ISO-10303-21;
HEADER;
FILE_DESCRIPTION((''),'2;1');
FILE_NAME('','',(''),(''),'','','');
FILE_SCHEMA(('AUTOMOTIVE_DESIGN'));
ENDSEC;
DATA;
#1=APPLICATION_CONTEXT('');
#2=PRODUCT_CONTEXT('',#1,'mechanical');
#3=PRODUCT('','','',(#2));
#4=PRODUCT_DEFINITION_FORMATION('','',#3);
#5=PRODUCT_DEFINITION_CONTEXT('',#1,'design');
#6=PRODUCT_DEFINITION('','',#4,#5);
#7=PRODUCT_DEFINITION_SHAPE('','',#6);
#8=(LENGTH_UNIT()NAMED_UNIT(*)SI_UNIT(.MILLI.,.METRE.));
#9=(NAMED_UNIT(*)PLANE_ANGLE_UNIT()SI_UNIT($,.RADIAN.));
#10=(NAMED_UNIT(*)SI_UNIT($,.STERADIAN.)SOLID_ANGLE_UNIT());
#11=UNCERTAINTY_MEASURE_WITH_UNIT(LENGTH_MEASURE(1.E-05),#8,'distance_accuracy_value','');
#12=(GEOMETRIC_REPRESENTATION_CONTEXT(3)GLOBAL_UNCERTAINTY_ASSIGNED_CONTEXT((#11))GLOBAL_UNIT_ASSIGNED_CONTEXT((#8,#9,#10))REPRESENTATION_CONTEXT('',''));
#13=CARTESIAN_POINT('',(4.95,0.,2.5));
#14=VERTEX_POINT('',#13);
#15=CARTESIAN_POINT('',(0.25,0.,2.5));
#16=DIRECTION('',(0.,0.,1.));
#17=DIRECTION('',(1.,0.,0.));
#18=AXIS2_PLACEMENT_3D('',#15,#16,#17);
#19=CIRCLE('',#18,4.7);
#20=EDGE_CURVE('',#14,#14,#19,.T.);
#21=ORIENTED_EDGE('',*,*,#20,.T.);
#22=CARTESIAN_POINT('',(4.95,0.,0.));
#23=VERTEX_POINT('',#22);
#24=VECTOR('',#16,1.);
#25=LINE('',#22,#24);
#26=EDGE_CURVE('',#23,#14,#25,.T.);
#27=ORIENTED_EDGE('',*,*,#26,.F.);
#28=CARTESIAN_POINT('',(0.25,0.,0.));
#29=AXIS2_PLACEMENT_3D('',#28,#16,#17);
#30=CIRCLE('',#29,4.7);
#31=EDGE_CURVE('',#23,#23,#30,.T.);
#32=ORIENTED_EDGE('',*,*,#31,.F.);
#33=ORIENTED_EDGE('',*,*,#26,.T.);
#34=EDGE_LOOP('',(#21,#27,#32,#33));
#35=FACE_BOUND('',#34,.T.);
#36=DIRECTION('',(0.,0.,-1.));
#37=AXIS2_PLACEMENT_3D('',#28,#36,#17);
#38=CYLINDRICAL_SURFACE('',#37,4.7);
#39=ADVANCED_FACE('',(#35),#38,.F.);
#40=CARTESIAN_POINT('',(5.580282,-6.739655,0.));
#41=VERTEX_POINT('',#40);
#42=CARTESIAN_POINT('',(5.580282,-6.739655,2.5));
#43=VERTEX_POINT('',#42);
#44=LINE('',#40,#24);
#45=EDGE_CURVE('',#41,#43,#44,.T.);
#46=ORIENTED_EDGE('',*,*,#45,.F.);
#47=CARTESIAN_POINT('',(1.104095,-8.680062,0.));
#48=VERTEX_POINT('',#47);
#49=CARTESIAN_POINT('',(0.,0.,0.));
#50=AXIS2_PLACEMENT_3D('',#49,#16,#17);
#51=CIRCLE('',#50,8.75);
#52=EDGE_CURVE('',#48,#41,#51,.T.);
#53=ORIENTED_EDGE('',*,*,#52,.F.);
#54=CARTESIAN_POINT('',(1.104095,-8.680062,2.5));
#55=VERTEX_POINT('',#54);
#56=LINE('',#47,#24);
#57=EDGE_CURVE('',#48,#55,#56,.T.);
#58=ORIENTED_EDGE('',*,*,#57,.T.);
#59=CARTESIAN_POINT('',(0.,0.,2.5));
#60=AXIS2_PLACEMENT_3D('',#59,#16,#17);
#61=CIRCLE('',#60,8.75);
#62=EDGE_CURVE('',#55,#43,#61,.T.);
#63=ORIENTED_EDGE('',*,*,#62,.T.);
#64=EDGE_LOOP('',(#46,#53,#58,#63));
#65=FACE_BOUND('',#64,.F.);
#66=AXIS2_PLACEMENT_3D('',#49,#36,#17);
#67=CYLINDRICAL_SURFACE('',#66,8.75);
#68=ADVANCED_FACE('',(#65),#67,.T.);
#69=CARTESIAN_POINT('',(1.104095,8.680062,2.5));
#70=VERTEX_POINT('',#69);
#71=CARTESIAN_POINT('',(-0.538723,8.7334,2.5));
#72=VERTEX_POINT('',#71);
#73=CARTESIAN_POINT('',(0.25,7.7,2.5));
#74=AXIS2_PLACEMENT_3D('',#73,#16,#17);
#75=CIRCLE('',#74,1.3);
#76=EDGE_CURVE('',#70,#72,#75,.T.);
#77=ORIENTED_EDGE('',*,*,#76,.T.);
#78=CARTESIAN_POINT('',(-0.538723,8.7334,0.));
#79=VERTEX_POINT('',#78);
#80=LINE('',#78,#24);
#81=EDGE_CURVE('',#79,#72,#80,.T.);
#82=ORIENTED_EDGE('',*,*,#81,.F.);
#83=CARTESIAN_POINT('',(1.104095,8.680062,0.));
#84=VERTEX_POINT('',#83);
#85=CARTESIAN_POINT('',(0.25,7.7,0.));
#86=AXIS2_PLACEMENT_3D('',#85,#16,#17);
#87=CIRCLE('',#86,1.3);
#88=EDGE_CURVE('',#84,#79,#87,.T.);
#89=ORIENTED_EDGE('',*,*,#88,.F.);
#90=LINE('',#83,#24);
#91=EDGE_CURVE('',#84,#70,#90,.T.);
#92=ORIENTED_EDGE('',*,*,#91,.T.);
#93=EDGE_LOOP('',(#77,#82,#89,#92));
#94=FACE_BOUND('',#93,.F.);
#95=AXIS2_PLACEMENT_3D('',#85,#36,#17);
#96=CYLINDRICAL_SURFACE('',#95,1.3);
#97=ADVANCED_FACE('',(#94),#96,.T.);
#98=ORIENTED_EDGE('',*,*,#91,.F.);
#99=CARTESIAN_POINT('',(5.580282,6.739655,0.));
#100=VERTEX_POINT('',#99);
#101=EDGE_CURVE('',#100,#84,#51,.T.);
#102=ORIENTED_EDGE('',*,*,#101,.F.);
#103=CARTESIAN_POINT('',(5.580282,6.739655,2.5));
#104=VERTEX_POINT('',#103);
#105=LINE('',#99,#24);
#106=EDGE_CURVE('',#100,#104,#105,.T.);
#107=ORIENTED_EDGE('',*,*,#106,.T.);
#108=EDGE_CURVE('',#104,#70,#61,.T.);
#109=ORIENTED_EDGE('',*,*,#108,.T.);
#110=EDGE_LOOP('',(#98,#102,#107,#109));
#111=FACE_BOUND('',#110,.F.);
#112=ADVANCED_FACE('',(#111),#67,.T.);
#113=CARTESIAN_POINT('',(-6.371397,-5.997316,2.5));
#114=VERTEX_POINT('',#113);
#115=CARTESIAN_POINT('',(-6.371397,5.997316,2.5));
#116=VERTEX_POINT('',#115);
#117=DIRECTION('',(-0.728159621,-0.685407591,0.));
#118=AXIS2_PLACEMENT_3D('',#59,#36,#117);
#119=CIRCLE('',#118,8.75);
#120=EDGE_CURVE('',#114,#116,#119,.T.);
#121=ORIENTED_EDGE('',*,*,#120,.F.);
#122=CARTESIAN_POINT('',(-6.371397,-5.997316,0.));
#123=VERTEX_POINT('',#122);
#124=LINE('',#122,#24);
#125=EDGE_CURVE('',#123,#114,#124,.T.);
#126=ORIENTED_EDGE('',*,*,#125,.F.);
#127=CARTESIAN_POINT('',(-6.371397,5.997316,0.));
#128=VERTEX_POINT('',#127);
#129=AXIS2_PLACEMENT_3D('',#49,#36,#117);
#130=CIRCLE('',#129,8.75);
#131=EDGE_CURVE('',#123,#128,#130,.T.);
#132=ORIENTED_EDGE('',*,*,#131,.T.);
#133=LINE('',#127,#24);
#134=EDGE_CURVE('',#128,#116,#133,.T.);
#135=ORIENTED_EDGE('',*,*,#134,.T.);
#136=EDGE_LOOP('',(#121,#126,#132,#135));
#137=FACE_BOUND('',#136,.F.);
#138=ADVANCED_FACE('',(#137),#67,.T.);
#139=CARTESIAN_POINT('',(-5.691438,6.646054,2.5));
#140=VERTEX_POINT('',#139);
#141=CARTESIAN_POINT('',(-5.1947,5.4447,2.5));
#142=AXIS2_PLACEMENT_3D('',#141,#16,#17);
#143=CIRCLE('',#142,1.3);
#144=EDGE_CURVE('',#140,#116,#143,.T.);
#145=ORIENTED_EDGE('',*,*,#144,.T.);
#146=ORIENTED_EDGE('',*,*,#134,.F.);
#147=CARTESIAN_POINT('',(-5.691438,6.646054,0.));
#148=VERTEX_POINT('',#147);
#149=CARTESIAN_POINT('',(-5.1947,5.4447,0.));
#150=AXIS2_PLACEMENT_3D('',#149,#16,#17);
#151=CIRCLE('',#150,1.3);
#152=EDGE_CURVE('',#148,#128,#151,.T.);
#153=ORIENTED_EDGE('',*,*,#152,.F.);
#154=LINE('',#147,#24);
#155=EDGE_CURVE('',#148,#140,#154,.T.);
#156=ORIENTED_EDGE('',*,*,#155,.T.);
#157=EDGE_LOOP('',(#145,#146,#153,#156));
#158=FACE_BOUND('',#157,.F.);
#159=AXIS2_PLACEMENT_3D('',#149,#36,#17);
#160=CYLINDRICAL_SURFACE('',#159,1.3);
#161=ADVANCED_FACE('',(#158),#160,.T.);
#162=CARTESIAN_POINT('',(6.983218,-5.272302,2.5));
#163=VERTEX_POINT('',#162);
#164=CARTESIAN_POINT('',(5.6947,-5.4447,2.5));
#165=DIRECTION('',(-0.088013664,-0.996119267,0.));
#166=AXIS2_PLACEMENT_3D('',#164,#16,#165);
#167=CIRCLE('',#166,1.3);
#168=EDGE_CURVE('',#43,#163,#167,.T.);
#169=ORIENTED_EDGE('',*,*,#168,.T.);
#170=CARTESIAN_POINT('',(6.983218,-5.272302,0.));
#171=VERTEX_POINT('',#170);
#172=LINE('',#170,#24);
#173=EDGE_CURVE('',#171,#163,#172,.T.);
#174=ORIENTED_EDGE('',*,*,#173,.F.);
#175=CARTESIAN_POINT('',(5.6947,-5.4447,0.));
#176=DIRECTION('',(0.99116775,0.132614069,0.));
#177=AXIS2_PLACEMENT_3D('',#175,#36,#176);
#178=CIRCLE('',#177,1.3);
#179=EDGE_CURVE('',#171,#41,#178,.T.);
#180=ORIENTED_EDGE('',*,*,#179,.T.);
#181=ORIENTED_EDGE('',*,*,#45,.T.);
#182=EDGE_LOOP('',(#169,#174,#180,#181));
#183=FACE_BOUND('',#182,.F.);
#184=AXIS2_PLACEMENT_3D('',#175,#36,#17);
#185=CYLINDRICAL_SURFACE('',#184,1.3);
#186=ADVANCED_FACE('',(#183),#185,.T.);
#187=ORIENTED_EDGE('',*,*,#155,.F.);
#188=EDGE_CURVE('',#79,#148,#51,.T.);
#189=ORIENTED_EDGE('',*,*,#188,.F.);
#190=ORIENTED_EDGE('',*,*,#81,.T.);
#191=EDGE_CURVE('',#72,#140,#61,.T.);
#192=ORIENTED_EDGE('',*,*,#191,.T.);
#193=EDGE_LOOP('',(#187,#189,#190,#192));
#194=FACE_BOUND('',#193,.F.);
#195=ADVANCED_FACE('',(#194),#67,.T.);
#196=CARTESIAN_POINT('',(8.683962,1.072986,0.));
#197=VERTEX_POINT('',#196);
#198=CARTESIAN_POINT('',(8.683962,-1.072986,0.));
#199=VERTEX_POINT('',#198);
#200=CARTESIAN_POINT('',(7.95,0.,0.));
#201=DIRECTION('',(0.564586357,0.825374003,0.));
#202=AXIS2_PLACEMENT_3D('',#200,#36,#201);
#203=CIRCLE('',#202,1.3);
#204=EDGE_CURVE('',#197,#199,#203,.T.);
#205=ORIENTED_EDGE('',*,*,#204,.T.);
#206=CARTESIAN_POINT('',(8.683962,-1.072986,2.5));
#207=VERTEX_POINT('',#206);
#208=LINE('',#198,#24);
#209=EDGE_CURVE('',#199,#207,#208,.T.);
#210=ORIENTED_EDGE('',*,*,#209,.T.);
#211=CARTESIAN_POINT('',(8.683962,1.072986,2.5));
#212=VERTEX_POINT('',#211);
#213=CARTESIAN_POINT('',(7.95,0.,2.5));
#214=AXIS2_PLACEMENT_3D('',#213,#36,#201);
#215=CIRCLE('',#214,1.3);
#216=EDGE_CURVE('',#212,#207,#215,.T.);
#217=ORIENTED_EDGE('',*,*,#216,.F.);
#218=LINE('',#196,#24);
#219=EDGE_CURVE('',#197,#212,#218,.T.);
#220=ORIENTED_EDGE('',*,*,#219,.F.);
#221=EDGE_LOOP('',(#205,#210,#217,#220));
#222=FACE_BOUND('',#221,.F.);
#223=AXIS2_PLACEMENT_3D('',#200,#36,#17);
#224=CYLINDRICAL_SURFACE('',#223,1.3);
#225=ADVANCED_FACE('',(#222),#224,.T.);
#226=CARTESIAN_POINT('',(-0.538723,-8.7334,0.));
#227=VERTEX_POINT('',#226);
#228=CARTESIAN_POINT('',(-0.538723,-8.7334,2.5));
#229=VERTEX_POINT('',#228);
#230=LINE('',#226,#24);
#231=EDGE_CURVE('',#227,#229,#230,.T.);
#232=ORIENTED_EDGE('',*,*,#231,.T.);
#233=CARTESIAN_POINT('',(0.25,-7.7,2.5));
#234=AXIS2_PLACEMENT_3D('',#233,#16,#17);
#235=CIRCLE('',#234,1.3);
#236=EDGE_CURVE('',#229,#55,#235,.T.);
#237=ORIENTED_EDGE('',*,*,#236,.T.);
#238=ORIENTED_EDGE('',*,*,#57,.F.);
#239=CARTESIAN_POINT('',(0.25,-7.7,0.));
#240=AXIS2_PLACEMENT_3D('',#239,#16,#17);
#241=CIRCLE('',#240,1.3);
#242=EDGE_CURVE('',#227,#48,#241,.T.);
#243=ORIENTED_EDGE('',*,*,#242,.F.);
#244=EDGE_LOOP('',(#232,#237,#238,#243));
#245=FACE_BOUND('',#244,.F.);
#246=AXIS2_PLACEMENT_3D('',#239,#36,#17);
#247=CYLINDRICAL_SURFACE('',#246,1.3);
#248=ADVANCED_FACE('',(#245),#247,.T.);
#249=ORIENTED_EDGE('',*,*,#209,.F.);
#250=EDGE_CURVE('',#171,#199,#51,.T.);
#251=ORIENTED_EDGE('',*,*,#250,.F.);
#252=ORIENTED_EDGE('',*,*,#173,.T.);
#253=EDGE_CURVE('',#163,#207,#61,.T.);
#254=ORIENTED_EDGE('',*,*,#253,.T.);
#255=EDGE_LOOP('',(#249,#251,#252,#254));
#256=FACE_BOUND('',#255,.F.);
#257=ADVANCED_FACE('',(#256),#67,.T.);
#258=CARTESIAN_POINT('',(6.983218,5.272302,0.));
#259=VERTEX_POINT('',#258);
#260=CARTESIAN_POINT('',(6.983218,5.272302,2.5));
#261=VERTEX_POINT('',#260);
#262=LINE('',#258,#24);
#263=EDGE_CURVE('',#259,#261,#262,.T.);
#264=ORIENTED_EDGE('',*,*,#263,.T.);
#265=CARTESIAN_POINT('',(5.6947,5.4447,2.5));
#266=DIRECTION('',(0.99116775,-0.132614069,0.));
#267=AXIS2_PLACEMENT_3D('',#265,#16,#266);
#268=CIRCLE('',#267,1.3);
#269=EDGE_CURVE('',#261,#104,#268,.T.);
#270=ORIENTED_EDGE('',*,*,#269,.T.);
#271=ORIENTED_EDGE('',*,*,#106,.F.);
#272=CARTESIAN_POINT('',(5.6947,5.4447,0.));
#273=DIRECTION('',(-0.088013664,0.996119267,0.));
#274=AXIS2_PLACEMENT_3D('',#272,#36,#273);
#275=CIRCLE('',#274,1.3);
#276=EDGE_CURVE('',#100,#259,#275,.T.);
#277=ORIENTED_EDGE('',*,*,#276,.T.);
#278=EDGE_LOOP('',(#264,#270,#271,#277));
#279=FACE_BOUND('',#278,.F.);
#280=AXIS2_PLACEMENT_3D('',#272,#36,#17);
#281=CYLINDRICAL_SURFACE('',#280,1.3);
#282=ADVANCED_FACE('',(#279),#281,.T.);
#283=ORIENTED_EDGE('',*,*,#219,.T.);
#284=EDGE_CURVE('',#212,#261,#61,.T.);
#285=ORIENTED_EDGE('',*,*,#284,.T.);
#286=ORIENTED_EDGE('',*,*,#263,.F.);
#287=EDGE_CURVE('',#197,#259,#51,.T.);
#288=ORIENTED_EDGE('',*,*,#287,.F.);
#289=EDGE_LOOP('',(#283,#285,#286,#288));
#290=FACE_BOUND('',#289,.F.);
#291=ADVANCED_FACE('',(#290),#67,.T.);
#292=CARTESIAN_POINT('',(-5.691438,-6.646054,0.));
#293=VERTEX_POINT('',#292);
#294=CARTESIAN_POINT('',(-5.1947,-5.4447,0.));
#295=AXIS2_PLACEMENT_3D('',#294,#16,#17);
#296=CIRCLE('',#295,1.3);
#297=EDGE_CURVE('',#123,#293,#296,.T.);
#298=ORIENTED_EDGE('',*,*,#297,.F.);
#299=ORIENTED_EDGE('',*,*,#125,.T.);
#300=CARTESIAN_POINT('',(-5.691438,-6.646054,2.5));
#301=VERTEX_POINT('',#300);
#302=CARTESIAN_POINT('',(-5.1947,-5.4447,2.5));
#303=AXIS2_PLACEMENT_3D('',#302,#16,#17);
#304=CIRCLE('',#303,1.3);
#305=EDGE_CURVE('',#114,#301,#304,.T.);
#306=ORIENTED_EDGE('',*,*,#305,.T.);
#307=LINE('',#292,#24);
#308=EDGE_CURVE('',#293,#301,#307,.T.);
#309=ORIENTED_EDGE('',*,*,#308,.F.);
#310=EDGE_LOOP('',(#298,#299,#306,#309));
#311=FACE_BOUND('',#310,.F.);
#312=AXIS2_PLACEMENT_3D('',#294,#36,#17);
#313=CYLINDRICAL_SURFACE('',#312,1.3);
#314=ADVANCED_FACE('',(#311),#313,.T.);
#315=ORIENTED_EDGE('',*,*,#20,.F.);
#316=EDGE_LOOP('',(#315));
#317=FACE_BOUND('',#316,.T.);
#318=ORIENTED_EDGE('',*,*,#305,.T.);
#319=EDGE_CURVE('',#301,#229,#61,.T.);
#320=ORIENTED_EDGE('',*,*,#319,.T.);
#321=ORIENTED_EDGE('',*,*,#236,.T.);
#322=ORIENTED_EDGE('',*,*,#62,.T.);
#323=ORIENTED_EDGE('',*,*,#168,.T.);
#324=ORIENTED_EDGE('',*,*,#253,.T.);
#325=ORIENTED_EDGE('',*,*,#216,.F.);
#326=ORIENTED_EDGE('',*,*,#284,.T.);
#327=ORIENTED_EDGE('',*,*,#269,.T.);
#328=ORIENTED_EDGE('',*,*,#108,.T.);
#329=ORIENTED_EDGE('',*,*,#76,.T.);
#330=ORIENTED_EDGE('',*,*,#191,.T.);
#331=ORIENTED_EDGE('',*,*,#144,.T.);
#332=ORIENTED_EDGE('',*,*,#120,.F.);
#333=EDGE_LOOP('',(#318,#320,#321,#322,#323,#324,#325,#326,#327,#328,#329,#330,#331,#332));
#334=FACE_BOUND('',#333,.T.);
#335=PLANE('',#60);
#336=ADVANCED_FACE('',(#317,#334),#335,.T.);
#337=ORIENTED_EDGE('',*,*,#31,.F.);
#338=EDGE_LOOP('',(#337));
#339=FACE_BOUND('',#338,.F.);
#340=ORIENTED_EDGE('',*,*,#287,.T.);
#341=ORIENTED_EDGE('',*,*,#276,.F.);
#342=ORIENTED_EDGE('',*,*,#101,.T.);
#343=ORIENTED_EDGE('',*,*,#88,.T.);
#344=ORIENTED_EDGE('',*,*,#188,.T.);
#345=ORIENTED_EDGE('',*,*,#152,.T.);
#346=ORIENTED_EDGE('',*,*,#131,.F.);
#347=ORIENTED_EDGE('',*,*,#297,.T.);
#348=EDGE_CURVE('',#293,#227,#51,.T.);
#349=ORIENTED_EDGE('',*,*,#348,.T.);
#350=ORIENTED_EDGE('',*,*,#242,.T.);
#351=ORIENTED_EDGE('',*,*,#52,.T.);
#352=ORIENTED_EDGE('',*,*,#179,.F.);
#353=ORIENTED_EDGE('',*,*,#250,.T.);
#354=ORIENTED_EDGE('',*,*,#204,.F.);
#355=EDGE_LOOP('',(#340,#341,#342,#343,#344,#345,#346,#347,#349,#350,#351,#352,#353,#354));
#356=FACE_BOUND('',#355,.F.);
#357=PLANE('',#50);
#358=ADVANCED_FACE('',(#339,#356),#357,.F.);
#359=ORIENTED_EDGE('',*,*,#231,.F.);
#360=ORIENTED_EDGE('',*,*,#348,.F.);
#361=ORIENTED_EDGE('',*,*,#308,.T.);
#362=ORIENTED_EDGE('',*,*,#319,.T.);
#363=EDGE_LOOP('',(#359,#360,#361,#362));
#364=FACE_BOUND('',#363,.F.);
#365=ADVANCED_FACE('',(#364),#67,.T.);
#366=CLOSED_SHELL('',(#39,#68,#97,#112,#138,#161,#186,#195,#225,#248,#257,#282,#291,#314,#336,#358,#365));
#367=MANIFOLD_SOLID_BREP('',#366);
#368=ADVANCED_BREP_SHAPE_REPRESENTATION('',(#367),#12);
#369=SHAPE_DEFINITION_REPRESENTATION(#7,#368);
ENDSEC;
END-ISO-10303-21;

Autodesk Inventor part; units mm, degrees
ref_plane "YZ Plane" through (0, 0, 0) normal (1, 0, 0) x (0, 1, 0)
ref_plane "XZ Plane" through (0, 0, 0) normal (0, 1, 0) x (-1, 0, 0)
ref_plane "XY Plane" through (0, 0, 0) normal (0, 0, 1) x (1, 0, 0)
sketch "Sketch1" plane through (0, 0, 0) normal (0, 0, 1) x (1, 0, 0)
  circle A0 centre (0, 0) radius 8.75
  circle A1 centre (0.25, 0) radius 24.8
  circle A2 centre (0.25, 0) radius 4.7
  circle A3 centre (-7.45, 0) radius 1.3
  circle A4 centre (-5.1947, -5.4447) radius 1.3
  circle A5 centre (0.25, -7.7) radius 1.3
  circle A6 centre (5.6947, -5.4447) radius 1.3
  circle A7 centre (7.95, 0) radius 1.3
  circle A8 centre (5.6947, 5.4447) radius 1.3
  circle A9 centre (0.25, 7.7) radius 1.3
  circle A10 centre (-5.1947, 5.4447) radius 1.3
  dimension "d0" = 17.5
  dimension "d1" = 49.6
  dimension "d3" = 9.4
  dimension "d4" = 2.6
  dimension "d7" = 360
extrude "Extrusion1" add sketch "Sketch1" along normal blind 2.5 contours A0 A7 | A0 A7 | A3 | A7 A0 A6 A5 A4 A10 A9 A8 | A8 A0 | A0 A8 | A6 A0 | A0 A6 | A9 A0 | A0 A9 | A5 A0 | A0 A5 | A10 A0 | A0 A10 | A4 A0 | A0 A4
properties part number "BigGearCenterer"
